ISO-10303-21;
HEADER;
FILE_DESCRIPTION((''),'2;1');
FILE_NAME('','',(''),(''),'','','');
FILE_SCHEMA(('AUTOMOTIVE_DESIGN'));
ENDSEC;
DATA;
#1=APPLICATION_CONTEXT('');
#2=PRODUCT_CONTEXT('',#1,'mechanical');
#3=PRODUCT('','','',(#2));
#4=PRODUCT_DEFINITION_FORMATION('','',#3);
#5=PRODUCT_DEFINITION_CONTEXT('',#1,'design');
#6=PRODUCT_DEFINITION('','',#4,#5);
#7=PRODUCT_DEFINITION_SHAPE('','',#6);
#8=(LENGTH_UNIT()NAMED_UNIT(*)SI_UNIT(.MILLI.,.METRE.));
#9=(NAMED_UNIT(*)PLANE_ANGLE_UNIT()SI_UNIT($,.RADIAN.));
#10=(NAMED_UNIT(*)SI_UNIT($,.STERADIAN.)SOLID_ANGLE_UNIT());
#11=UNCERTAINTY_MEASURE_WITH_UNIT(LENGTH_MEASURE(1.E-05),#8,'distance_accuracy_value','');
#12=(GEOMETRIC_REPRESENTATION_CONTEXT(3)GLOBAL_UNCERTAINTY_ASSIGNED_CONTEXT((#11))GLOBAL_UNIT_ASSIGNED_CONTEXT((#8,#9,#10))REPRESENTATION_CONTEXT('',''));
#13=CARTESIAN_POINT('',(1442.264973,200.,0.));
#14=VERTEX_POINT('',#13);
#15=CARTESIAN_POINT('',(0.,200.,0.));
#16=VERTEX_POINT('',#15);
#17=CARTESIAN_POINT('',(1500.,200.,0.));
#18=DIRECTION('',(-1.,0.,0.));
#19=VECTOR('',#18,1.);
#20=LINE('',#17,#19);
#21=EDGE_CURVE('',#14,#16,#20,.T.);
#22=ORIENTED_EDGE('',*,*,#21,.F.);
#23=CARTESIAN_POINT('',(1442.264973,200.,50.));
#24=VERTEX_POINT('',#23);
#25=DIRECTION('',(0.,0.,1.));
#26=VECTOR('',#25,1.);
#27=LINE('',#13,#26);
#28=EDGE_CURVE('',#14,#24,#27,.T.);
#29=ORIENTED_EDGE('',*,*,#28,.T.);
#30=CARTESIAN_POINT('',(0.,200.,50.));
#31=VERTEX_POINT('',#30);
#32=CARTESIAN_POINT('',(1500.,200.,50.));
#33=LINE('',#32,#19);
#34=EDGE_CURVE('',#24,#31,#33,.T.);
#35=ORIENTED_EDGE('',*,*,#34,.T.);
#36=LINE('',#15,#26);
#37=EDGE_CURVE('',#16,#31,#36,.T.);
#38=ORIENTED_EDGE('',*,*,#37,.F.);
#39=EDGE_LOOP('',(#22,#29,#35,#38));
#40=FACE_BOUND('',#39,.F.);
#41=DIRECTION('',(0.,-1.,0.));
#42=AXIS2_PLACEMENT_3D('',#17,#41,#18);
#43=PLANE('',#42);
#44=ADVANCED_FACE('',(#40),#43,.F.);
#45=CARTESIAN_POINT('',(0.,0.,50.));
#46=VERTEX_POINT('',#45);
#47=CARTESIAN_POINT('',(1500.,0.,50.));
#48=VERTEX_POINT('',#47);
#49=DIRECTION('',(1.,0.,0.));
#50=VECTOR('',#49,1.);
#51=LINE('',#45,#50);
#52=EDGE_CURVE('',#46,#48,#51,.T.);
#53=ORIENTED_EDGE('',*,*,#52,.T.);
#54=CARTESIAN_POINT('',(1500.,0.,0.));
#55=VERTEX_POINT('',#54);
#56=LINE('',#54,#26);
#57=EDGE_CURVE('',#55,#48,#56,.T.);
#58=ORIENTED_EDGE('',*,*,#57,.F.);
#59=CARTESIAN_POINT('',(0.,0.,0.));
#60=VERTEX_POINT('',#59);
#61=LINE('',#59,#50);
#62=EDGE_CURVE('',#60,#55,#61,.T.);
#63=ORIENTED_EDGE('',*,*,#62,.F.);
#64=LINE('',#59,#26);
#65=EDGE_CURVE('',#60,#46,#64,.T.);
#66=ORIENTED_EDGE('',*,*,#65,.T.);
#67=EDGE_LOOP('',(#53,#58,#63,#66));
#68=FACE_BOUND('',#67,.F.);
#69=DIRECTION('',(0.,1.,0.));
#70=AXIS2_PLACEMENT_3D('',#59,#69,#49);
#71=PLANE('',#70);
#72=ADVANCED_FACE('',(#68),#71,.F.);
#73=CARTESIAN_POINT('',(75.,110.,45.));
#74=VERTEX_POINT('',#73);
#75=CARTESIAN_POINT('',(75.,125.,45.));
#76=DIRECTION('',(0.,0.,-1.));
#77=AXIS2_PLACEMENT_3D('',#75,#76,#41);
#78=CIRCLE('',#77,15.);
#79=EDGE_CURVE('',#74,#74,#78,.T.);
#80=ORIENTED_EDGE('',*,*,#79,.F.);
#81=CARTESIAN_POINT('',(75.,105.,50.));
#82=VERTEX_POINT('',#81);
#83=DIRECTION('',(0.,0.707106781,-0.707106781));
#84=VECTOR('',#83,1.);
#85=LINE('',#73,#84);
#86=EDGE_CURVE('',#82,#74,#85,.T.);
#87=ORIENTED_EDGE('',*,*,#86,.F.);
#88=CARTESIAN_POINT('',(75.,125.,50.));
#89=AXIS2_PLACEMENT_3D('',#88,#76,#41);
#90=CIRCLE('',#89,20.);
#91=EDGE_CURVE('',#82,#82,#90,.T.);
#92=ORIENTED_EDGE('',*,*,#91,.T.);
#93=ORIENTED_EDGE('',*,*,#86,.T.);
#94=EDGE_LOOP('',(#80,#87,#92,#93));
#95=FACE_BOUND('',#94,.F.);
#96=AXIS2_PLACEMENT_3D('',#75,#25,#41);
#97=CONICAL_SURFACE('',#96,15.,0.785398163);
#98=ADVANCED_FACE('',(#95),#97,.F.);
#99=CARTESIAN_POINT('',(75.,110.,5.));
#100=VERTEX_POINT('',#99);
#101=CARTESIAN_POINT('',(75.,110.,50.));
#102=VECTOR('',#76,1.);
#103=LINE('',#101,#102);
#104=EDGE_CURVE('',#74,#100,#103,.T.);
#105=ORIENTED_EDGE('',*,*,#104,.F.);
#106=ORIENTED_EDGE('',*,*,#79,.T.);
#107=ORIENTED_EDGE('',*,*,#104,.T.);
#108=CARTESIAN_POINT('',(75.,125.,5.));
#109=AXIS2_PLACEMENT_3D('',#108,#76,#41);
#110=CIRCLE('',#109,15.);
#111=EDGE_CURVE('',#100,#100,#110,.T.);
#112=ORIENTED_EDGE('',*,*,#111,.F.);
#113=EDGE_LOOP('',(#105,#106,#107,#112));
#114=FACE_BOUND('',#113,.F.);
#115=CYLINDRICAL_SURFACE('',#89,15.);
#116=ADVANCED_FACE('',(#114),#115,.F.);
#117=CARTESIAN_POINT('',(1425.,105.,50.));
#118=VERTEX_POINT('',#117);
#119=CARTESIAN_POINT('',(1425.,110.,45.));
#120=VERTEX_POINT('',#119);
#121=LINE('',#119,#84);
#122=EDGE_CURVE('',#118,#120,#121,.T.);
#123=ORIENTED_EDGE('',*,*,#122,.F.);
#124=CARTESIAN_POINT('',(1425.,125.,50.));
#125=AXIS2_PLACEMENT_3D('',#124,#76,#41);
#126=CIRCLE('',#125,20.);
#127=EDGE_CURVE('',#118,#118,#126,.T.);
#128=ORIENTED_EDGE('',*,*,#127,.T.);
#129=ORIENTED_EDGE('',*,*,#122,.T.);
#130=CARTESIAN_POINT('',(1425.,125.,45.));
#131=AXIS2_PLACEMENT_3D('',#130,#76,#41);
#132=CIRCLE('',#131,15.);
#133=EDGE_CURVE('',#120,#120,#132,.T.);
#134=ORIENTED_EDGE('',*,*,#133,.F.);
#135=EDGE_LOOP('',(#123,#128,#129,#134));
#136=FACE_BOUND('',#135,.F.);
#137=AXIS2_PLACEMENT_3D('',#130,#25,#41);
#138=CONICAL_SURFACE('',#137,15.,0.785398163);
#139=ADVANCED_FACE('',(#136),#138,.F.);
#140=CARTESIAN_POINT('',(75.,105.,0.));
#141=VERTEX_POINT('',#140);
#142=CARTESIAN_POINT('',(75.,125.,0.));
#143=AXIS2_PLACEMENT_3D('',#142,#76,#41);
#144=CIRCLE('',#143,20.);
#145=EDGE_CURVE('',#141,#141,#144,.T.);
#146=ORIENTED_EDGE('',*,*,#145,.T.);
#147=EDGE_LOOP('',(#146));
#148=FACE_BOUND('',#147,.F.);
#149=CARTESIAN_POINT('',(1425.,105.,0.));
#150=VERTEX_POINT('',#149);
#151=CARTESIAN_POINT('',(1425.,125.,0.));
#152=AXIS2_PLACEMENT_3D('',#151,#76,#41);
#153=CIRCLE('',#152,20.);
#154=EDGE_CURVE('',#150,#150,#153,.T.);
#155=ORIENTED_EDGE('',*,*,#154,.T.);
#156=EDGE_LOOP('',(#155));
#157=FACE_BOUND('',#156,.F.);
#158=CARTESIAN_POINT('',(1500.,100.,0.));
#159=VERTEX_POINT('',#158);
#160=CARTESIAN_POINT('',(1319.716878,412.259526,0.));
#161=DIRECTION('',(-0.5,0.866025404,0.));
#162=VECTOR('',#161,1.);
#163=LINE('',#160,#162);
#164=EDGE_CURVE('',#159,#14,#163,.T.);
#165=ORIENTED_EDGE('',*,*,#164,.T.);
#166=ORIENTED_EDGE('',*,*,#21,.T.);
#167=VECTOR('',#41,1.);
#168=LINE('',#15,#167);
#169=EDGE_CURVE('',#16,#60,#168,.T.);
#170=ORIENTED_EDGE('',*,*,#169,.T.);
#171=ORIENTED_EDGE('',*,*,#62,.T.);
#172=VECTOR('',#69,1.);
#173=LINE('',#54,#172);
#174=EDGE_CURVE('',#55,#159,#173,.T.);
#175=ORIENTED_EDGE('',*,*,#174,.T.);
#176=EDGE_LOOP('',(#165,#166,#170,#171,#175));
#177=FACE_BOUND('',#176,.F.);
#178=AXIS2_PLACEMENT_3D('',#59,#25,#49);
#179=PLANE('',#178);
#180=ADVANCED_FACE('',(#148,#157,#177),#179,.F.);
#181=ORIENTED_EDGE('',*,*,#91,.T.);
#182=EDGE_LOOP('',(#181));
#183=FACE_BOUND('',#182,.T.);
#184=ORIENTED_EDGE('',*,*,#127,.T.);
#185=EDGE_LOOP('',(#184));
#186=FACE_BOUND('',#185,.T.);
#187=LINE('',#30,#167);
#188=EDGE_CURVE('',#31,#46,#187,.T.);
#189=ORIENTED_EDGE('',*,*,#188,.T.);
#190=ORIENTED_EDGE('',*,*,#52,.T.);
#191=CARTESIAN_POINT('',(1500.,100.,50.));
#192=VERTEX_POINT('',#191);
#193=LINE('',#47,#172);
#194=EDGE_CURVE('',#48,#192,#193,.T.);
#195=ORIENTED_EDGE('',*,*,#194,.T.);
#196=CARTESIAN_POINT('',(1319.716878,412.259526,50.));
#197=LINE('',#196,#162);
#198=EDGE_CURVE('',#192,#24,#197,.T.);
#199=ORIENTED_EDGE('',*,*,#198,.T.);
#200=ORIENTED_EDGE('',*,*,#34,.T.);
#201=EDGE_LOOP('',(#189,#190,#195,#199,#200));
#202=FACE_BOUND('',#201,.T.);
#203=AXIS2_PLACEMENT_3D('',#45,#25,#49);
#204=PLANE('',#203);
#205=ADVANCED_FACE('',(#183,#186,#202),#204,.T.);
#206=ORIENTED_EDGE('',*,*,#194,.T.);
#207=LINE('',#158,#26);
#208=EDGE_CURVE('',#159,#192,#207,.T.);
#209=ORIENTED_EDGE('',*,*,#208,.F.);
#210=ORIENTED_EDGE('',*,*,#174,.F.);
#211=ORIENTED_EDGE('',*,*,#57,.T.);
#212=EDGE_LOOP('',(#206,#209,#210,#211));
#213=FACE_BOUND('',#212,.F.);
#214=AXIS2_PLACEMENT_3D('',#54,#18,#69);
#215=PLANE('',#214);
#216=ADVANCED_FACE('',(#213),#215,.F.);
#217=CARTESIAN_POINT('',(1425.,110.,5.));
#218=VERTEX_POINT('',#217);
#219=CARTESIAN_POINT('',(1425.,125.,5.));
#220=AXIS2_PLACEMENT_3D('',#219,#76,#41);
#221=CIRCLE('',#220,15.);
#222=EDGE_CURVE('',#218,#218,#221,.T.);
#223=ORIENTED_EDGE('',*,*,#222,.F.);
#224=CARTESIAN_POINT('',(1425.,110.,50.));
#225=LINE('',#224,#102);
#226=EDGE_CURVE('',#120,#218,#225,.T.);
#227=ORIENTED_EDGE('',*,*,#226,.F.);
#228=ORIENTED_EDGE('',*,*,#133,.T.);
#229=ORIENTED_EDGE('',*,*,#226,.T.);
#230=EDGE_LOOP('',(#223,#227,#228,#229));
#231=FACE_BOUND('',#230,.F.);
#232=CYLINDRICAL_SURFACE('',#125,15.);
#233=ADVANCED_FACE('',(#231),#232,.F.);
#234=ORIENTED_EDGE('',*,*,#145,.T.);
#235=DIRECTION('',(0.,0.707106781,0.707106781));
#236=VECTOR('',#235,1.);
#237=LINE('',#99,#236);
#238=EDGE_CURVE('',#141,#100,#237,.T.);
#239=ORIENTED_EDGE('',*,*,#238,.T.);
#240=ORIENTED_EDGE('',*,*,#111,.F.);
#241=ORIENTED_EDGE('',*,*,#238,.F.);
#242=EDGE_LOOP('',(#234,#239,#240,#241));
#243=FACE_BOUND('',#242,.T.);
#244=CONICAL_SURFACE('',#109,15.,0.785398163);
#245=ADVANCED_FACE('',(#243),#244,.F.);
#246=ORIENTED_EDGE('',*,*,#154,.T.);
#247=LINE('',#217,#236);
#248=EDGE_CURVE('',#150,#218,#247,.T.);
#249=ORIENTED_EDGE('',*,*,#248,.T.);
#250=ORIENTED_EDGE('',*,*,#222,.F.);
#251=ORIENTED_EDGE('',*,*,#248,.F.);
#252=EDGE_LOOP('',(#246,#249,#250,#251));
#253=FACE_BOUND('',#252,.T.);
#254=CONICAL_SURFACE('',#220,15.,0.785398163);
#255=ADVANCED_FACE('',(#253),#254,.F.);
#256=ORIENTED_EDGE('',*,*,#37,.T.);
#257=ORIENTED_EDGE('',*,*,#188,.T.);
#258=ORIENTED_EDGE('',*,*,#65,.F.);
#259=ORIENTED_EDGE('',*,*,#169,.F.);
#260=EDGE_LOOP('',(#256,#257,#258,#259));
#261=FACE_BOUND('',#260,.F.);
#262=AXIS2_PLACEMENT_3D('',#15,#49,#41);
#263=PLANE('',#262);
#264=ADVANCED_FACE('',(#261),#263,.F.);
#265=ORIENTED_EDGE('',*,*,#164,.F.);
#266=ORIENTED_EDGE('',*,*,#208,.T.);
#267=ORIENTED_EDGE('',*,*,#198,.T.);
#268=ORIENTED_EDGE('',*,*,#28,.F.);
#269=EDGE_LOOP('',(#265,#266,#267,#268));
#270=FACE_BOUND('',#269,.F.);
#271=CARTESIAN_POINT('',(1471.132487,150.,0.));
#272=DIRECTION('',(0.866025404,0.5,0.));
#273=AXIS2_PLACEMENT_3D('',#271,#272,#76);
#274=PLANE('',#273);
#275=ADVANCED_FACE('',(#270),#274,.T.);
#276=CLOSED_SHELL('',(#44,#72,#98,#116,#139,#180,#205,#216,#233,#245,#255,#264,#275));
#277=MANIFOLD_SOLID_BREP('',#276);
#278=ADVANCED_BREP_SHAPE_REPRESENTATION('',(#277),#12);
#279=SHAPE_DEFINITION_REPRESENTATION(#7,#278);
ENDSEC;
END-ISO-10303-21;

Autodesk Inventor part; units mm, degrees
ref_plane "YZ Plane" through (0, 0, 0) normal (1, 0, 0) x (0, 1, 0)
ref_plane "XZ Plane" through (0, 0, 0) normal (0, 1, 0) x (-1, 0, 0)
ref_plane "XY Plane" through (0, 0, 0) normal (0, 0, 1) x (1, 0, 0)
sketch "Sketch1" plane through (0, 0, 0) normal (0, 0, 1) x (1, 0, 0)
  line L0 (0, 0) -> (1500, 0)
  line L1 (1500, 0) -> (1500, 200)
  line L2 (1500, 200) -> (0, 200)
  line L3 (0, 200) -> (0, 0)
  dimension "d0" = 200
  dimension "d1" = 1500
extrude "Extrusion1" add sketch "Sketch1" along normal blind 50
sketch "Sketch2" plane through (0, 0, 50) normal (0, 0, 1) x (1, 0, 0)
  line L0 (0, 200) -> (0, 0) projected
  line L1 (1500, 0) -> (1500, 200) projected
  line L2 (1500, 200) -> (0, 200) projected
  point P0 (75, 125)
  point P1 (1425, 125)
  point P2 (0, 100)
  dimension "d4" = 75
  dimension "d5" = 75
  dimension "d19" = 75
hole "Hole1" at (75, 125, 50) at (1425, 125, 50) direction (0, 0, -1) diameter 30 end through all
chamfer "Chamfer1" distance 5 angle 45 4 edges at (75, 140, 50) (1425, 140, 50) (75, 140, 0) (1425, 140, 0)
chamfer "Chamfer2" distance 100 angle 30 1 edges at (1500, 200, 25) measured on face at (1500, 66.6667, 16.6667)
properties part number "Top_Floor Plank" material "Wood (Birch)"
